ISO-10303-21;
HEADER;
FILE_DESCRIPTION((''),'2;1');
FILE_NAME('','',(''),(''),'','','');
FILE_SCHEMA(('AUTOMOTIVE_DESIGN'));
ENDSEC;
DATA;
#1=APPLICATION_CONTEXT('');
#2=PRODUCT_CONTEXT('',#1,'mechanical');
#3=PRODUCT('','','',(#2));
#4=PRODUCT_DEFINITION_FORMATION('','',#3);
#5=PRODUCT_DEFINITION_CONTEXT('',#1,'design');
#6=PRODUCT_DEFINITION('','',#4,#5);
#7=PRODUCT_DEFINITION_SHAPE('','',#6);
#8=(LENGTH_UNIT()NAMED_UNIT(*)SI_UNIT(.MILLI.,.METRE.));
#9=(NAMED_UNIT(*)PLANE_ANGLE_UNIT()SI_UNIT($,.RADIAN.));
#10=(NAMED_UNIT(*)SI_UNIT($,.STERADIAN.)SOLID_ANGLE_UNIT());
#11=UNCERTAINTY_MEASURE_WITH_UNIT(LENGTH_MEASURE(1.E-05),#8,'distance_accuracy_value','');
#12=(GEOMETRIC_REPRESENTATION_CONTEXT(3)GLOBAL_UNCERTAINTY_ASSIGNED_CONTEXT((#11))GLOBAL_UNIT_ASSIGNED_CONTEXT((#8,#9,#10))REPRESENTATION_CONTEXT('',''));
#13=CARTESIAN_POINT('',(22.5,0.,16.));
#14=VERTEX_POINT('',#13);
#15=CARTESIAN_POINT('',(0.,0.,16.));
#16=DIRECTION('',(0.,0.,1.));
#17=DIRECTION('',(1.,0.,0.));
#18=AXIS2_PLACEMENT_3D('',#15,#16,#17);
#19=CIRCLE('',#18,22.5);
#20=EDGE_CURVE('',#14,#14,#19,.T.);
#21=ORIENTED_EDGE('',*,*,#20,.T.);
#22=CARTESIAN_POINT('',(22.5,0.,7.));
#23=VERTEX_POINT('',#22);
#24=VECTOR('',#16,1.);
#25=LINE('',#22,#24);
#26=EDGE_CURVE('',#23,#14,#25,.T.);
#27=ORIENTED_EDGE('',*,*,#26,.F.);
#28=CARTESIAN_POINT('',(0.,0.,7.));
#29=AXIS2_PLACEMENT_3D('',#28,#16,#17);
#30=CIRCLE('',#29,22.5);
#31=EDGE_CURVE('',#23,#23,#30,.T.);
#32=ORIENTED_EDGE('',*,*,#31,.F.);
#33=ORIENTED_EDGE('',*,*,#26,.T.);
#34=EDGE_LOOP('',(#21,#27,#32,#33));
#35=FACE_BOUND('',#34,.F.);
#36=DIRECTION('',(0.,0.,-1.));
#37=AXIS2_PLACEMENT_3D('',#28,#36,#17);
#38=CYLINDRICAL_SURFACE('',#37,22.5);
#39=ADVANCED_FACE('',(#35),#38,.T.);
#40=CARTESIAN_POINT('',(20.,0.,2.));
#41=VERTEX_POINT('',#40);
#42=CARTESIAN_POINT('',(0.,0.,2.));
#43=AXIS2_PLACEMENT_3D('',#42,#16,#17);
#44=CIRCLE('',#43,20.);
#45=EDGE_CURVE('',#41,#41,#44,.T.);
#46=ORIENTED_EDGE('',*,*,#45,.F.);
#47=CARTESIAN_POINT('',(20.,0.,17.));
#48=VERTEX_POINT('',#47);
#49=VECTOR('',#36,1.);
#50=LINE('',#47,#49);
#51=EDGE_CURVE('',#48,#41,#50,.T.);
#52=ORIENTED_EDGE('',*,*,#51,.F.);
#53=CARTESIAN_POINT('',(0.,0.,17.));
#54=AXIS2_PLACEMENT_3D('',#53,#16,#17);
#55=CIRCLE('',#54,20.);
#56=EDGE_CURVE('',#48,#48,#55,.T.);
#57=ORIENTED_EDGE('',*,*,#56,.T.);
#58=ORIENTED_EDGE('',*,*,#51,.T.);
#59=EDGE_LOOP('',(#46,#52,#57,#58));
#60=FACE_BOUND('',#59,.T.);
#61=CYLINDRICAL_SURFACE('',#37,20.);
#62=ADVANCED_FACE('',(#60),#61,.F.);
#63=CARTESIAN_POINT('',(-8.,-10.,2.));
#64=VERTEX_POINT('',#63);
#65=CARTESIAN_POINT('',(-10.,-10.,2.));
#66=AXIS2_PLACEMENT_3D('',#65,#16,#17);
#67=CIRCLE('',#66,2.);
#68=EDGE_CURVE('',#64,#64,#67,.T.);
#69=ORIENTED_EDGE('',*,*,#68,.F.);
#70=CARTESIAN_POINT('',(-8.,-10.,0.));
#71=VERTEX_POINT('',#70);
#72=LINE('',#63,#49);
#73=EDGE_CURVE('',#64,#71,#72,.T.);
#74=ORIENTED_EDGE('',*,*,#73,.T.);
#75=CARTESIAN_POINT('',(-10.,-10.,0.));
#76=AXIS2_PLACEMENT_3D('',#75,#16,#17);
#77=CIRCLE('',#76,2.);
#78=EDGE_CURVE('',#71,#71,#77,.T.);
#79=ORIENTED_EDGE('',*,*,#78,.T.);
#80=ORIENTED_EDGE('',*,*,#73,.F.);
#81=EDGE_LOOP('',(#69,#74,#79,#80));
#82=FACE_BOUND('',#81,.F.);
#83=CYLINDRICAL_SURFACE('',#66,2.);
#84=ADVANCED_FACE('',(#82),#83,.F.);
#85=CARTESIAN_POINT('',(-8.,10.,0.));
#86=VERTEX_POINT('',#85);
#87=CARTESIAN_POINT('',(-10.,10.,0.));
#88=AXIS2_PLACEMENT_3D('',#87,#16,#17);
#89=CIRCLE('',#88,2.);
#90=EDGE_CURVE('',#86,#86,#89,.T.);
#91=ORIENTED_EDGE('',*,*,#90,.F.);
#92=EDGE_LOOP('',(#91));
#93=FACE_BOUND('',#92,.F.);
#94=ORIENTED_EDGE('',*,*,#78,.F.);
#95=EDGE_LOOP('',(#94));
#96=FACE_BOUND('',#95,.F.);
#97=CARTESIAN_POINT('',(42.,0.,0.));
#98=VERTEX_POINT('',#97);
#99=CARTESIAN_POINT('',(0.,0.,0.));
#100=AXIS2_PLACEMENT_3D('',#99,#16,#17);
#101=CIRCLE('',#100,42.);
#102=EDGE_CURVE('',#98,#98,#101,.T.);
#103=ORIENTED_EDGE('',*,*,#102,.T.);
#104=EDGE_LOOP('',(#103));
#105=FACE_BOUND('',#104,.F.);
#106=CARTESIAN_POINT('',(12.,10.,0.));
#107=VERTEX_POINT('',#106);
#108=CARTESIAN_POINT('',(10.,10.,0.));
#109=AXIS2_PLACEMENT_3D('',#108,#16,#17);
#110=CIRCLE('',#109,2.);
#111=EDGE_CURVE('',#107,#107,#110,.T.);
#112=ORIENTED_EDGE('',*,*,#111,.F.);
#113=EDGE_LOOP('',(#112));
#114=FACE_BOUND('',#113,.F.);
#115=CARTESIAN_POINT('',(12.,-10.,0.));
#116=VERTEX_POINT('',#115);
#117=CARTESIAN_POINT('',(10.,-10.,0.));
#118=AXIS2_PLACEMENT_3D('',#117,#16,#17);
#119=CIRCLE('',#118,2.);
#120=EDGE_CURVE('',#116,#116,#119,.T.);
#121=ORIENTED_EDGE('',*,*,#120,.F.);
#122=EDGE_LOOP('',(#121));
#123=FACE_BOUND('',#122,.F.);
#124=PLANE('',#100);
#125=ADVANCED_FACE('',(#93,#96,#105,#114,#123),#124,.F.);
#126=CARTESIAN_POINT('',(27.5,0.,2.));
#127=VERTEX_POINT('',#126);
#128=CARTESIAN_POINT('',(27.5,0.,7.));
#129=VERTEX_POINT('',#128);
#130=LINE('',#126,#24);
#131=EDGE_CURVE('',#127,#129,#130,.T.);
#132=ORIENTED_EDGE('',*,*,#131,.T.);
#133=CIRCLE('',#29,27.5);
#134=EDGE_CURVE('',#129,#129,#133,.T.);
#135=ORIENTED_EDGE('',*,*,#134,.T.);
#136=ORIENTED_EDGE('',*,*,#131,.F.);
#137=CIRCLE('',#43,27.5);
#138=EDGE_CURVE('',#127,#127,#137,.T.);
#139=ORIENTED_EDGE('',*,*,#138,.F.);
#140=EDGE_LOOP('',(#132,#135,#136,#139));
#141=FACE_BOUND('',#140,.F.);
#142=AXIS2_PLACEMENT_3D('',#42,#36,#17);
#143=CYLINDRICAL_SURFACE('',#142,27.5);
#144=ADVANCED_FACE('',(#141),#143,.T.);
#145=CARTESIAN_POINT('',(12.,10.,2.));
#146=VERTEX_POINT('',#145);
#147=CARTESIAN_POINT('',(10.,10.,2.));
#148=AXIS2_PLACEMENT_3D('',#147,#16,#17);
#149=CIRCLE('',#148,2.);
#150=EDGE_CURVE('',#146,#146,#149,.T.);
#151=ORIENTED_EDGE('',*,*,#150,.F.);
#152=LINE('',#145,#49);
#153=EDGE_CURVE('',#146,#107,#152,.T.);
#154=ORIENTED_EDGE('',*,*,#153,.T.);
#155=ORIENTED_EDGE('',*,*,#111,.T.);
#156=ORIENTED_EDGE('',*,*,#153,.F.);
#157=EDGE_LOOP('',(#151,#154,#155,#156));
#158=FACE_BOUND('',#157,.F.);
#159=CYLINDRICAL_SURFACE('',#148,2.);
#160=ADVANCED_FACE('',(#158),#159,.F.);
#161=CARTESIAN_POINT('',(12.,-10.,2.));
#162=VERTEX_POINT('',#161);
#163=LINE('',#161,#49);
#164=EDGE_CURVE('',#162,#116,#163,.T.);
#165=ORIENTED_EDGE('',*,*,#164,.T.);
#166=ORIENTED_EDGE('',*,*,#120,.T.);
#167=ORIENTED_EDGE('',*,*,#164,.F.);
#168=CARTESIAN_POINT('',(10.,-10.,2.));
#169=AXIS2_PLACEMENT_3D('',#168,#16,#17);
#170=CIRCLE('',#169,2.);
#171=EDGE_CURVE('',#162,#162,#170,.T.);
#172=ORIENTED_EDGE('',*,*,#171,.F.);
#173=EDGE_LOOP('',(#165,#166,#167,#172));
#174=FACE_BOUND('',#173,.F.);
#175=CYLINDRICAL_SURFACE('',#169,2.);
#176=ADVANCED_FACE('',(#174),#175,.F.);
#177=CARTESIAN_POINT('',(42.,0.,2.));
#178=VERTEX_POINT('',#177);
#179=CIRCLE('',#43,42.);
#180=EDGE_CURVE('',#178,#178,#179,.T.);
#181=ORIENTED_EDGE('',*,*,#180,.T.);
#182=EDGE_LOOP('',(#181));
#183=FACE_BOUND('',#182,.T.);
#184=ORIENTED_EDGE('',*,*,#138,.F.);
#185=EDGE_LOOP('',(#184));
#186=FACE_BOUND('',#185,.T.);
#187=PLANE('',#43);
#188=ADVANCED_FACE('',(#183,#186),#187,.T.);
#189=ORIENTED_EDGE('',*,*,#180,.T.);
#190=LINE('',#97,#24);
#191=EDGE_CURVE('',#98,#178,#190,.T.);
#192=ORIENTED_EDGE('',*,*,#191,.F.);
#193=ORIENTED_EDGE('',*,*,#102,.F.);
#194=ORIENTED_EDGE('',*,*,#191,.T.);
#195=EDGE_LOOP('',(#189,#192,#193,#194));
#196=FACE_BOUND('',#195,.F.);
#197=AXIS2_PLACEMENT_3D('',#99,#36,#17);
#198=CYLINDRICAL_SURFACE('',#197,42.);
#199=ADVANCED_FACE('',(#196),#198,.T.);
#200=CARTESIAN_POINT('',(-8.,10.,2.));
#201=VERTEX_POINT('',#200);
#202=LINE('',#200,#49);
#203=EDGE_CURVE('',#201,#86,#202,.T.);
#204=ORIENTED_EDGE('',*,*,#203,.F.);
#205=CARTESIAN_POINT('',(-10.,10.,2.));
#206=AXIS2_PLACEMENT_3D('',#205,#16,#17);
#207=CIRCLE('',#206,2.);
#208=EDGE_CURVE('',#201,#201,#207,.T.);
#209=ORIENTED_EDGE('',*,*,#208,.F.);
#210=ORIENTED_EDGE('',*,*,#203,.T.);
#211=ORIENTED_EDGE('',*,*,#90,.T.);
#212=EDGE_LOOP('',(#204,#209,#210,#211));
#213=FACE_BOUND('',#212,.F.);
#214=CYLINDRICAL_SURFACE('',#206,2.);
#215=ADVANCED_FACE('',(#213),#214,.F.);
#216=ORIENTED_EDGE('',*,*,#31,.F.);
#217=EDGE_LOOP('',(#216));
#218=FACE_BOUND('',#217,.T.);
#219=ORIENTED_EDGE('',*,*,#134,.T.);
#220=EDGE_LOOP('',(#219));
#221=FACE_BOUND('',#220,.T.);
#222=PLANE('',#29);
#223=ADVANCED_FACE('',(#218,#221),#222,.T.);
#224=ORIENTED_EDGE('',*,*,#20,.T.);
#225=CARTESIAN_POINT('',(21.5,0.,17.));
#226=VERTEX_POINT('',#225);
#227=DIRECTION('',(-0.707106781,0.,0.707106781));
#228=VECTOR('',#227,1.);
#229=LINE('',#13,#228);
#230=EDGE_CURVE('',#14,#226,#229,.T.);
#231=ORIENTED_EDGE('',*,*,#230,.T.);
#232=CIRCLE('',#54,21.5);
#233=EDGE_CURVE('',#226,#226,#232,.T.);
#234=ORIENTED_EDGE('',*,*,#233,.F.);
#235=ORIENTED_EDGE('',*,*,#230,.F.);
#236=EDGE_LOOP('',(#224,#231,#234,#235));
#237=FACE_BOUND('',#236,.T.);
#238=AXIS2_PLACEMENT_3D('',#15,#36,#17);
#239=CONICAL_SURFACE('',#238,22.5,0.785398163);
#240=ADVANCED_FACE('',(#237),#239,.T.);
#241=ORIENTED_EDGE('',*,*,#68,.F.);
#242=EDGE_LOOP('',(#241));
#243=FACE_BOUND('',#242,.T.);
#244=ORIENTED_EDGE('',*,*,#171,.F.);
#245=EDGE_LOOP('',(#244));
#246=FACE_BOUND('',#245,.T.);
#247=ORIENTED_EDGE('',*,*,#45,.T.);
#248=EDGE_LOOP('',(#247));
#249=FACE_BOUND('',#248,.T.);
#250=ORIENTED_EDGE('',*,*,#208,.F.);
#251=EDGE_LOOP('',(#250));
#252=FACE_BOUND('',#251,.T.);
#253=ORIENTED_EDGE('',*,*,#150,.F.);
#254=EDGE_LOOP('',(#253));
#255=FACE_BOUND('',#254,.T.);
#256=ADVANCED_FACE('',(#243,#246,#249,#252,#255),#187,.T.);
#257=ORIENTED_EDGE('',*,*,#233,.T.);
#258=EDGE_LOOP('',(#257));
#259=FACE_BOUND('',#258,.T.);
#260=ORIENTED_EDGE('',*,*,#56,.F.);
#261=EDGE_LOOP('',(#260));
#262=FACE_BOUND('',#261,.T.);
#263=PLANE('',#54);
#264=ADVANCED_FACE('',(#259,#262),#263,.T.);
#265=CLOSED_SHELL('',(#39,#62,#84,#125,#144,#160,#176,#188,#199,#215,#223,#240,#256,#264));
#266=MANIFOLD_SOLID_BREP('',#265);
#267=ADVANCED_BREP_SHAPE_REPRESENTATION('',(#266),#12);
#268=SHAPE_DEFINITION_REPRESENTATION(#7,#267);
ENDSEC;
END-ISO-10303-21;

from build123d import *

# Parameters (mm, degrees)
SKETCH_R      = 42
PAD_DEPTH     = 2
SKETCH001_R   = 27.5
SKETCH001_R_2 = 20
PAD001_DEPTH  = 5
SKETCH002_R   = 22.5
SKETCH002_R_2 = 20
PAD002_DEPTH  = 10
CHAMFER_SIZE  = 1
SKETCH003_R   = 2
POCKET_DEPTH  = 2.001


with BuildPart() as part:
    # Sketch → Pad (new body)
    with BuildSketch(Plane.XY):
        Circle(SKETCH_R)
    extrude(amount=PAD_DEPTH)

    # Sketch001 (on Face3 of Pad) → Pad001 (join)
    with BuildSketch(Plane.XY.offset(2)):
        Circle(SKETCH001_R)
        Circle(SKETCH001_R_2, mode=Mode.SUBTRACT)
    extrude(amount=PAD001_DEPTH)

    # Sketch002 (on Face5 of Pad001) → Pad002 (join)
    with BuildSketch(Plane.XY.offset(7)):
        Circle(SKETCH002_R)
        Circle(SKETCH002_R_2, mode=Mode.SUBTRACT)
    extrude(amount=PAD002_DEPTH)

    # Chamfer
    chamfer_edges = [part.edges().sort_by_distance(p)[0] for p in [
        (-22.5, 0, 17),
    ]]
    chamfer(chamfer_edges, length=CHAMFER_SIZE)

    # Sketch003 (on Face10 of Chamfer) → Pocket (cut, through all)
    with BuildSketch(Plane.XY.offset(2)):
        with Locations((-10, 10)):
            Circle(SKETCH003_R)
        with Locations((10, 10)):
            Circle(SKETCH003_R)
        with Locations((10, -10)):
            Circle(SKETCH003_R)
        with Locations((-10, -10)):
            Circle(SKETCH003_R)
    extrude(amount=-POCKET_DEPTH, mode=Mode.SUBTRACT)


solid = part.part
